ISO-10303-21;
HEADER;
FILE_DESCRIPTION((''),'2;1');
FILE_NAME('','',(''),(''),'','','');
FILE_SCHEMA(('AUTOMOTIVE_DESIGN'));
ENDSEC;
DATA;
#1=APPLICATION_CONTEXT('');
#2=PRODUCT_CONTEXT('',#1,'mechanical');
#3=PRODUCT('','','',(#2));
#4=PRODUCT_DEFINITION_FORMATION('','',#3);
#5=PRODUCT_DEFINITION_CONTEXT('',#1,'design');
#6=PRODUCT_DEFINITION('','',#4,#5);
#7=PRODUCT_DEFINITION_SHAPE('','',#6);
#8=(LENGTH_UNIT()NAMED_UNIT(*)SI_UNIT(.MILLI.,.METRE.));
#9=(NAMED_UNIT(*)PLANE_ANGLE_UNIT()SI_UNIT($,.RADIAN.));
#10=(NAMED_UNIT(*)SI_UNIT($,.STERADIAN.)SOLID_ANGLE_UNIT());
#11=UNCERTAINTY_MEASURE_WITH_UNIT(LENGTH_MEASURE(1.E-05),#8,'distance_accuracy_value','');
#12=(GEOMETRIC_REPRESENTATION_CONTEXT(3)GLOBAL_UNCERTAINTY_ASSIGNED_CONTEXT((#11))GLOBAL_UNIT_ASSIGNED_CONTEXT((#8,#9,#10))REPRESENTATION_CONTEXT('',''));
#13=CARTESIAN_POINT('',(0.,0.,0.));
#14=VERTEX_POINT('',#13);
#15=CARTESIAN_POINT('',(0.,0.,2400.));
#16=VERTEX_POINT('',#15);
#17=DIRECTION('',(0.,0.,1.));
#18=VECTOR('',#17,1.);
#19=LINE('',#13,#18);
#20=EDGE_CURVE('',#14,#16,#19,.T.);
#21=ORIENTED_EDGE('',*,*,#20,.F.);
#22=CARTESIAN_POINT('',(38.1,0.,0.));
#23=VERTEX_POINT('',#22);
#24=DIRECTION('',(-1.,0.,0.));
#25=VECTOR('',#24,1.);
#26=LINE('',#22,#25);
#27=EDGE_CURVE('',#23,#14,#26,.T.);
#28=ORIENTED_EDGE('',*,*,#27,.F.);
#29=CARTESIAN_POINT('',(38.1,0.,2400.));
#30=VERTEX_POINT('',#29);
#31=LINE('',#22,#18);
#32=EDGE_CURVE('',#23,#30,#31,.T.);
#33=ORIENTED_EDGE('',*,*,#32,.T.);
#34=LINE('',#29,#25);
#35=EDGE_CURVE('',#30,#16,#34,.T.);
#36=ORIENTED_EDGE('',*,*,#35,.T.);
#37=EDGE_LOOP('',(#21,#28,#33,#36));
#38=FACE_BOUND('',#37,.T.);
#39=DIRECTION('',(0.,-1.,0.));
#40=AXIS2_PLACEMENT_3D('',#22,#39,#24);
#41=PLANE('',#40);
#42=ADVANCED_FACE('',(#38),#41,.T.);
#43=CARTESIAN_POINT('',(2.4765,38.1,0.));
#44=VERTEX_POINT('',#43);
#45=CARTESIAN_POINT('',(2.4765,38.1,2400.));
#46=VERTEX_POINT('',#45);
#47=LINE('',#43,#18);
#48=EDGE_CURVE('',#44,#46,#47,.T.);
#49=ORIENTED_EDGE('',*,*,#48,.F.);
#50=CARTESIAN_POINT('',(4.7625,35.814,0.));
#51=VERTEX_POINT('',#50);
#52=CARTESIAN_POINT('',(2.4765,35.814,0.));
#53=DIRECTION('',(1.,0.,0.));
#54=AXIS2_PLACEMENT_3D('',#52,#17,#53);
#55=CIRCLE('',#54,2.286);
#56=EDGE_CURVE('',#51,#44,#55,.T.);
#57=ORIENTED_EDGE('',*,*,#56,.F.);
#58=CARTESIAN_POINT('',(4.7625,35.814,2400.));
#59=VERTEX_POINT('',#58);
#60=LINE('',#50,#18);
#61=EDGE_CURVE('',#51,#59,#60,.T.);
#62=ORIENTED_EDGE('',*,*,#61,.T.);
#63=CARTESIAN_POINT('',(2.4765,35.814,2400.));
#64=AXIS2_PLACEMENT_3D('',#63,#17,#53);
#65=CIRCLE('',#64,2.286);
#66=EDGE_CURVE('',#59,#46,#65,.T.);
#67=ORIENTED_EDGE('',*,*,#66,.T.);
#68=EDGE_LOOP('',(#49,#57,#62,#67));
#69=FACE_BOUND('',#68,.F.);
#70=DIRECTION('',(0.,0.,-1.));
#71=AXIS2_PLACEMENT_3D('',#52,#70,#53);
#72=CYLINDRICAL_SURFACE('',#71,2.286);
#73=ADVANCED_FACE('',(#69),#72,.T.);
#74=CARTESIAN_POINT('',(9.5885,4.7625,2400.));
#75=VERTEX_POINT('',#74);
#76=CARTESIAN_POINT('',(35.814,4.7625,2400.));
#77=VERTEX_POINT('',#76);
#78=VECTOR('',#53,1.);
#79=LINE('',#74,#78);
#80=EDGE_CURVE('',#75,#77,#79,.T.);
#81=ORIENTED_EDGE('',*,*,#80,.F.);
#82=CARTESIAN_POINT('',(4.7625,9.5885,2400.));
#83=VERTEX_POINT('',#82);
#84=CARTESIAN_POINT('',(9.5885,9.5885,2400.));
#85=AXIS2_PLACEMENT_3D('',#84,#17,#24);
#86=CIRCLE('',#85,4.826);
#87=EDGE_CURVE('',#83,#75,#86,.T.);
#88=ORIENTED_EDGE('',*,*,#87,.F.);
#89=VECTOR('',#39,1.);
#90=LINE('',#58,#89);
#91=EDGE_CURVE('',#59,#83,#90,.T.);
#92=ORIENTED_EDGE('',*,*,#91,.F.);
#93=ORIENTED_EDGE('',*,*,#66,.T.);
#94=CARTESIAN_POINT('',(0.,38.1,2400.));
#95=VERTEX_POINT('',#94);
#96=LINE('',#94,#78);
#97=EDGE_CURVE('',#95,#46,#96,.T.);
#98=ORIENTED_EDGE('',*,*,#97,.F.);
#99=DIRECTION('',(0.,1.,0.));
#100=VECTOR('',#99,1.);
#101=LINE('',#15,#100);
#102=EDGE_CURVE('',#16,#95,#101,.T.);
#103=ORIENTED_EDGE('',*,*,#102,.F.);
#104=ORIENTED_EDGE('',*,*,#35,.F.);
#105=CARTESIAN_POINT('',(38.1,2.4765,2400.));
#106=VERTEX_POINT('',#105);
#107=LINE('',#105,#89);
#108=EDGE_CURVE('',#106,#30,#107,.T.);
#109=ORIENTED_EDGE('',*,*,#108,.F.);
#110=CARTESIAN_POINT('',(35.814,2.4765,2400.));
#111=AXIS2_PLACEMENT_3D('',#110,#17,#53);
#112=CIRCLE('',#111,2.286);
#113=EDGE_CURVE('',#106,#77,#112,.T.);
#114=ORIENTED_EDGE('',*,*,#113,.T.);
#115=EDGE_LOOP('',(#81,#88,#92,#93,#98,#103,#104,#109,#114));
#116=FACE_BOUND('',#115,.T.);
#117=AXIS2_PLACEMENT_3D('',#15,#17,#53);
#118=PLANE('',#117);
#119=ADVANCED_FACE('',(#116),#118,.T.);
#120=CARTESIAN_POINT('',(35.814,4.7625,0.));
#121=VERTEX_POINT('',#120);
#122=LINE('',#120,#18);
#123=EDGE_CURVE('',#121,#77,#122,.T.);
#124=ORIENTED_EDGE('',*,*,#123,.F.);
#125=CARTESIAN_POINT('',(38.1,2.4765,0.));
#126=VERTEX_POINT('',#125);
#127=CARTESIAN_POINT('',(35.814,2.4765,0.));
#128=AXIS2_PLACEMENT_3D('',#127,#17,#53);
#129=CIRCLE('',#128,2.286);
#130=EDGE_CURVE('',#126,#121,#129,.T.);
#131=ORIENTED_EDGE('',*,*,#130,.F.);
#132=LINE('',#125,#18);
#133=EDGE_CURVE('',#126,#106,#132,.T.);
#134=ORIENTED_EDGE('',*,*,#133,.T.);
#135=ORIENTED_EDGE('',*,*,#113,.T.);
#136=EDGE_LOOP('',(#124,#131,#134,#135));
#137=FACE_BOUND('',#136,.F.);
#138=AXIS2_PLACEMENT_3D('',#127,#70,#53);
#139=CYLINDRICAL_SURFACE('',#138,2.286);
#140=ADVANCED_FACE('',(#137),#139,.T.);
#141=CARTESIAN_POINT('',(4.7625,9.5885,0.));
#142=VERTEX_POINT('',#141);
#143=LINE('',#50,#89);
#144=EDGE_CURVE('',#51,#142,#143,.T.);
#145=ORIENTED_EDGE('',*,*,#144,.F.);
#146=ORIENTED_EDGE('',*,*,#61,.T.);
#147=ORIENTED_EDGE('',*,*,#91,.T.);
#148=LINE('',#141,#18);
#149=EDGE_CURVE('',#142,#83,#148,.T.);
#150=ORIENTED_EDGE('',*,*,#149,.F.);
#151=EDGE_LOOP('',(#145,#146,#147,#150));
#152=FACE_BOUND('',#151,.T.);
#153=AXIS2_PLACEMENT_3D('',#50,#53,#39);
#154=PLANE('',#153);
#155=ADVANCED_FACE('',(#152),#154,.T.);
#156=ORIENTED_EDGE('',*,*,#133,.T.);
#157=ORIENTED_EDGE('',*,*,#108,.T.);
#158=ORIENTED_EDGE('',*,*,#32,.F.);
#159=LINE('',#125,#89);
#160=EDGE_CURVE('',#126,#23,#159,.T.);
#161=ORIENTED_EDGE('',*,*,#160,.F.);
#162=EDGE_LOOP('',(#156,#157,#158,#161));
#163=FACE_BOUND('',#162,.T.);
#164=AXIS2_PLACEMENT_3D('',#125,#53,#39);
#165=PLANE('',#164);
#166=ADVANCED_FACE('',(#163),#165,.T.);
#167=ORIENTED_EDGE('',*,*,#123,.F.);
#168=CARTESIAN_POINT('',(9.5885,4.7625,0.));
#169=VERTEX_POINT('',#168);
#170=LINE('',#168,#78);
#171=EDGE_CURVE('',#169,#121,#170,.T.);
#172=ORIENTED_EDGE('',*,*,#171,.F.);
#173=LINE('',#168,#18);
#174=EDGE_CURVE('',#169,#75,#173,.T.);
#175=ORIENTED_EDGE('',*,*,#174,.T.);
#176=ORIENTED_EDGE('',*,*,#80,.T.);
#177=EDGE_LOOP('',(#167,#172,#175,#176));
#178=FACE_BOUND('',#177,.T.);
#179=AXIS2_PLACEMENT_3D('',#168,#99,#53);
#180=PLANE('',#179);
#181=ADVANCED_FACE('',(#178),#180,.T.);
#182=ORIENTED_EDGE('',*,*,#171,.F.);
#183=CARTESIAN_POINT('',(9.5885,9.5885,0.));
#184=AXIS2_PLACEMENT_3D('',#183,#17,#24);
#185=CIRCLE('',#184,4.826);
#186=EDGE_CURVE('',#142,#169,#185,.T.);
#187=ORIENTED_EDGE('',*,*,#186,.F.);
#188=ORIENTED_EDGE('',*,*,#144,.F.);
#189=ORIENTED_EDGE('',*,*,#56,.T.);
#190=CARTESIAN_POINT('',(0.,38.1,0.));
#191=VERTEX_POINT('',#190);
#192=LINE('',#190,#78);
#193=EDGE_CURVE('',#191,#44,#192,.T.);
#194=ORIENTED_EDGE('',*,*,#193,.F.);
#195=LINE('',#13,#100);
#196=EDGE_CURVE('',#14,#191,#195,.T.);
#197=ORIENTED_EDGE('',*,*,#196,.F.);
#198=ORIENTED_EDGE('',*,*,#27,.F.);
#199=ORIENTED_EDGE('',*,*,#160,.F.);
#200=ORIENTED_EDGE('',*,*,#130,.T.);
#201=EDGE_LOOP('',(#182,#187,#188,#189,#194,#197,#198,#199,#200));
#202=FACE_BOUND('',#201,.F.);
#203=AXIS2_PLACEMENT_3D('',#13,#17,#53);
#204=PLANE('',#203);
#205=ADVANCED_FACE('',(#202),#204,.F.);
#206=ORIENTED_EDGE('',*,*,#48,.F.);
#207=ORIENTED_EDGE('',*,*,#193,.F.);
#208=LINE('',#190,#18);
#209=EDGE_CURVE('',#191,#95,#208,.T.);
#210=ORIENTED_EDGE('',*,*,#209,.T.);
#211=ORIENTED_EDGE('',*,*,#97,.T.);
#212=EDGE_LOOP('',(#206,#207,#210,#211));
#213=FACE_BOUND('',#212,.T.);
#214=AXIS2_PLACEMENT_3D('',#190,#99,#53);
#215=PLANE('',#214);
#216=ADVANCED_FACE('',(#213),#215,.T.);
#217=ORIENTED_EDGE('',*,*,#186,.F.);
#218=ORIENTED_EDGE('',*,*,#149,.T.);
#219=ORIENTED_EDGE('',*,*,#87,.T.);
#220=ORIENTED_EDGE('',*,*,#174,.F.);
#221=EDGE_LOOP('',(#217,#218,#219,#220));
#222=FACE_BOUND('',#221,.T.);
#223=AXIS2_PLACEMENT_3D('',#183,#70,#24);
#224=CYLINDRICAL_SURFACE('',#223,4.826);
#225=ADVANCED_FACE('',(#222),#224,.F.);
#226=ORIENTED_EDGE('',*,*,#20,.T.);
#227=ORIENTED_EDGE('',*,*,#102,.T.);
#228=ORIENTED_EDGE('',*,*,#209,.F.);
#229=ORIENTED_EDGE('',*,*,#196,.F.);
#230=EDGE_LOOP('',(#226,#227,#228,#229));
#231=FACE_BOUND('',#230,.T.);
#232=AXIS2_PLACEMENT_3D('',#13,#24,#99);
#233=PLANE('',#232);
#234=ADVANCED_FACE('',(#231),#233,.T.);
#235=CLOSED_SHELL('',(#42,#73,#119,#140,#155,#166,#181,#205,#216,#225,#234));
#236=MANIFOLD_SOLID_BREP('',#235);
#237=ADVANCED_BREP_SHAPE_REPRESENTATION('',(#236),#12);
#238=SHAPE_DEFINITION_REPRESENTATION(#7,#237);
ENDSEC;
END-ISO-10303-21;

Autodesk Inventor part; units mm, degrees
ref_plane "Plano inicial" through (0, 0, 0) normal (0, 0, 1) x (1, 0, 0)
ref_plane "Plano final" through (0, 0, 2400) normal (0, 0, 1) x (1, 0, 0)
sketch "Boceto" plane through (0, 0, 0) normal (0, 0, 1) x (1, 0, 0)
  line L0 (38.1, 0) -> (0, 0)
  line L1 (0, 0) -> (0, 38.1)
  line L2 (0, 38.1) -> (2.4765, 38.1)
  line L3 (4.7625, 35.814) -> (4.7625, 9.5885)
  line L4 (9.5885, 4.7625) -> (35.814, 4.7625)
  line L5 (38.1, 2.4765) -> (38.1, 0)
  line L6 (0, -11.0414) -> (0, 31.5385) construction
  line L7 (-11.0414, 0) -> (31.5385, 0) construction
  arc A0 (4.7625, 9.5885) -> (9.5885, 4.7625) centre (9.5885, 9.5885) ccw
  arc A1 (4.7625, 35.814) -> (2.4765, 38.1) centre (2.4765, 35.814) ccw
  arc A2 (38.1, 2.4765) -> (35.814, 4.7625) centre (35.814, 2.4765) ccw
  line L8 (0, 48.4964) -> (0, -20.9644) construction
  line L9 (-20.9644, 0) -> (48.4964, 0) construction
  point P0 (4.7625, 38.1)
  point P1 (4.7625, 4.7625)
  point P2 (38.1, 4.7625)
  dimension "d0" = 38.1
  dimension "d1" = 38.1
  dimension "d2" = 4.7625
  dimension "d3" = 4.7625
  dimension "d10" = 0
  dimension "d11" = 0
  dimension "d14" = 4.826
  dimension "d15" = 2.286
extrude "Cuerpo" add sketch "Boceto" along normal up to surface (2400 mm away) from surface at 0
sketch "Sketch3" plane through (0, 0, 0) normal (0, 0, 1) x (1, 0, 0)
  line L0 (0, 0) -> (10, 0)
ref_plane "Work Plane3" through (0, 0, 0) normal (0, -1, 0) x (1, 0, 0)
sketch "Sketch4" plane through (0, 0, 0) normal (0, -1, 0) x (1, 0, 0)
  line L0 (-2, 0) -> (12, 0)
  line L1 (-2, 2400) -> (12, 2400)
  dimension "d17" = 2400
sketch "Boceto5" plane through (0, 0, 2400) normal (0, 0, 1) x (1, 0, 0)
  line L0 (0, 0) -> (0, 38.1) projected
  circle A0 centre (0, 0) radius 43.0626
ref_plane "Plano de trabajo4" through (4.8672, 4.8672, 1401) normal (0, 0, 1) x (1, 0, 0)
equation "\"d0\" = G_H"
equation "\"d1\" = G_H"
equation "\"d2\" = G_T"
equation "\"d3\" = G_T"
equation "\"d14\" = G_IR"
equation "\"d15\" = G_ER"
equation "\"d4\" = G_L"
equation "\"G_H\" = 38.1"
equation "\"G_T\" = 4.7625"
equation "\"G_ER\" = 2.286"
equation "\"G_IR\" = 4.826"
equation "\"G_L\" = d17"
equation "\"ex\" = 0"
equation "\"G_OFFSET_START\" = 0"
equation "\"G_OFFSET_END\" = 0"
properties part number "AISC - L 1,5 x 1,5 x 3/16 - 94,488" material "Acero, suave"
